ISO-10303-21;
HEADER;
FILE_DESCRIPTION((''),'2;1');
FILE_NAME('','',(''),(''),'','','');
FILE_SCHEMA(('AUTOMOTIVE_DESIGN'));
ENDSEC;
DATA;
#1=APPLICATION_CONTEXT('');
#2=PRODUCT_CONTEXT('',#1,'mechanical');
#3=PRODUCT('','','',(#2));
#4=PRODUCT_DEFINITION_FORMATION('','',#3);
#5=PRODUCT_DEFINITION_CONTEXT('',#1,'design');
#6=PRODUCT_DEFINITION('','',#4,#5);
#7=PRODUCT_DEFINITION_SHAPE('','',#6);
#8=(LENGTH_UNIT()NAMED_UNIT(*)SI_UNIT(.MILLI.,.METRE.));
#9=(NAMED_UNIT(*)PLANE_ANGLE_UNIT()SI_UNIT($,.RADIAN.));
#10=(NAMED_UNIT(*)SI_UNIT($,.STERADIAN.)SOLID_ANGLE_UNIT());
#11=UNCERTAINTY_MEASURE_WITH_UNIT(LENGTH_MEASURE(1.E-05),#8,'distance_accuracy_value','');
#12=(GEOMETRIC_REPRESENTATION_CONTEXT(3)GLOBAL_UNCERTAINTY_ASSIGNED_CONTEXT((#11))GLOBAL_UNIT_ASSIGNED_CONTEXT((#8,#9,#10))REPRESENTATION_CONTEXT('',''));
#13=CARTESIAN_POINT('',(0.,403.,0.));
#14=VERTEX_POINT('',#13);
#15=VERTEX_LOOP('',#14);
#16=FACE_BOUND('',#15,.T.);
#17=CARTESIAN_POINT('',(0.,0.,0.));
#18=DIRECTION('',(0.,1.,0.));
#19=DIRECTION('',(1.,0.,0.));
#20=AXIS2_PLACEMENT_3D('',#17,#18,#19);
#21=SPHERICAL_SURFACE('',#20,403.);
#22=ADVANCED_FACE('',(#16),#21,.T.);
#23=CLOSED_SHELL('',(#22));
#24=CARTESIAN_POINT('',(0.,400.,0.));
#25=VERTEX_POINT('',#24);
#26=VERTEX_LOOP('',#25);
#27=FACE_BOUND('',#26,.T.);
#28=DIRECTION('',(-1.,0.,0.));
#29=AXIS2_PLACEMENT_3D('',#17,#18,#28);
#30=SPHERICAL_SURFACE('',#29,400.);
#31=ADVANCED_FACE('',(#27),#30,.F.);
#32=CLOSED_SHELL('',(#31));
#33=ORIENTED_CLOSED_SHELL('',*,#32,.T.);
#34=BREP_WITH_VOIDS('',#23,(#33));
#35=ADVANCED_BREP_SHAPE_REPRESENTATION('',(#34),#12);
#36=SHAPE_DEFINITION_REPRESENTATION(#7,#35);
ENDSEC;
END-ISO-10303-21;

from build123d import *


with BuildPart() as part:
    # Sketch1 → Revolve1 (revolve)
    with BuildSketch(Plane.XY):
        with BuildLine():
            Line((0, 403), (0, 400))
            ThreePointArc((0, 400), (-400, 0), (0, -400))
            Line((0, -400), (0, -403))
            ThreePointArc((0, -403), (-403, 0), (0, 403))
        make_face()
    revolve(axis=Axis((0, 403, 0), (0, -1, 0)))


solid = part.part
